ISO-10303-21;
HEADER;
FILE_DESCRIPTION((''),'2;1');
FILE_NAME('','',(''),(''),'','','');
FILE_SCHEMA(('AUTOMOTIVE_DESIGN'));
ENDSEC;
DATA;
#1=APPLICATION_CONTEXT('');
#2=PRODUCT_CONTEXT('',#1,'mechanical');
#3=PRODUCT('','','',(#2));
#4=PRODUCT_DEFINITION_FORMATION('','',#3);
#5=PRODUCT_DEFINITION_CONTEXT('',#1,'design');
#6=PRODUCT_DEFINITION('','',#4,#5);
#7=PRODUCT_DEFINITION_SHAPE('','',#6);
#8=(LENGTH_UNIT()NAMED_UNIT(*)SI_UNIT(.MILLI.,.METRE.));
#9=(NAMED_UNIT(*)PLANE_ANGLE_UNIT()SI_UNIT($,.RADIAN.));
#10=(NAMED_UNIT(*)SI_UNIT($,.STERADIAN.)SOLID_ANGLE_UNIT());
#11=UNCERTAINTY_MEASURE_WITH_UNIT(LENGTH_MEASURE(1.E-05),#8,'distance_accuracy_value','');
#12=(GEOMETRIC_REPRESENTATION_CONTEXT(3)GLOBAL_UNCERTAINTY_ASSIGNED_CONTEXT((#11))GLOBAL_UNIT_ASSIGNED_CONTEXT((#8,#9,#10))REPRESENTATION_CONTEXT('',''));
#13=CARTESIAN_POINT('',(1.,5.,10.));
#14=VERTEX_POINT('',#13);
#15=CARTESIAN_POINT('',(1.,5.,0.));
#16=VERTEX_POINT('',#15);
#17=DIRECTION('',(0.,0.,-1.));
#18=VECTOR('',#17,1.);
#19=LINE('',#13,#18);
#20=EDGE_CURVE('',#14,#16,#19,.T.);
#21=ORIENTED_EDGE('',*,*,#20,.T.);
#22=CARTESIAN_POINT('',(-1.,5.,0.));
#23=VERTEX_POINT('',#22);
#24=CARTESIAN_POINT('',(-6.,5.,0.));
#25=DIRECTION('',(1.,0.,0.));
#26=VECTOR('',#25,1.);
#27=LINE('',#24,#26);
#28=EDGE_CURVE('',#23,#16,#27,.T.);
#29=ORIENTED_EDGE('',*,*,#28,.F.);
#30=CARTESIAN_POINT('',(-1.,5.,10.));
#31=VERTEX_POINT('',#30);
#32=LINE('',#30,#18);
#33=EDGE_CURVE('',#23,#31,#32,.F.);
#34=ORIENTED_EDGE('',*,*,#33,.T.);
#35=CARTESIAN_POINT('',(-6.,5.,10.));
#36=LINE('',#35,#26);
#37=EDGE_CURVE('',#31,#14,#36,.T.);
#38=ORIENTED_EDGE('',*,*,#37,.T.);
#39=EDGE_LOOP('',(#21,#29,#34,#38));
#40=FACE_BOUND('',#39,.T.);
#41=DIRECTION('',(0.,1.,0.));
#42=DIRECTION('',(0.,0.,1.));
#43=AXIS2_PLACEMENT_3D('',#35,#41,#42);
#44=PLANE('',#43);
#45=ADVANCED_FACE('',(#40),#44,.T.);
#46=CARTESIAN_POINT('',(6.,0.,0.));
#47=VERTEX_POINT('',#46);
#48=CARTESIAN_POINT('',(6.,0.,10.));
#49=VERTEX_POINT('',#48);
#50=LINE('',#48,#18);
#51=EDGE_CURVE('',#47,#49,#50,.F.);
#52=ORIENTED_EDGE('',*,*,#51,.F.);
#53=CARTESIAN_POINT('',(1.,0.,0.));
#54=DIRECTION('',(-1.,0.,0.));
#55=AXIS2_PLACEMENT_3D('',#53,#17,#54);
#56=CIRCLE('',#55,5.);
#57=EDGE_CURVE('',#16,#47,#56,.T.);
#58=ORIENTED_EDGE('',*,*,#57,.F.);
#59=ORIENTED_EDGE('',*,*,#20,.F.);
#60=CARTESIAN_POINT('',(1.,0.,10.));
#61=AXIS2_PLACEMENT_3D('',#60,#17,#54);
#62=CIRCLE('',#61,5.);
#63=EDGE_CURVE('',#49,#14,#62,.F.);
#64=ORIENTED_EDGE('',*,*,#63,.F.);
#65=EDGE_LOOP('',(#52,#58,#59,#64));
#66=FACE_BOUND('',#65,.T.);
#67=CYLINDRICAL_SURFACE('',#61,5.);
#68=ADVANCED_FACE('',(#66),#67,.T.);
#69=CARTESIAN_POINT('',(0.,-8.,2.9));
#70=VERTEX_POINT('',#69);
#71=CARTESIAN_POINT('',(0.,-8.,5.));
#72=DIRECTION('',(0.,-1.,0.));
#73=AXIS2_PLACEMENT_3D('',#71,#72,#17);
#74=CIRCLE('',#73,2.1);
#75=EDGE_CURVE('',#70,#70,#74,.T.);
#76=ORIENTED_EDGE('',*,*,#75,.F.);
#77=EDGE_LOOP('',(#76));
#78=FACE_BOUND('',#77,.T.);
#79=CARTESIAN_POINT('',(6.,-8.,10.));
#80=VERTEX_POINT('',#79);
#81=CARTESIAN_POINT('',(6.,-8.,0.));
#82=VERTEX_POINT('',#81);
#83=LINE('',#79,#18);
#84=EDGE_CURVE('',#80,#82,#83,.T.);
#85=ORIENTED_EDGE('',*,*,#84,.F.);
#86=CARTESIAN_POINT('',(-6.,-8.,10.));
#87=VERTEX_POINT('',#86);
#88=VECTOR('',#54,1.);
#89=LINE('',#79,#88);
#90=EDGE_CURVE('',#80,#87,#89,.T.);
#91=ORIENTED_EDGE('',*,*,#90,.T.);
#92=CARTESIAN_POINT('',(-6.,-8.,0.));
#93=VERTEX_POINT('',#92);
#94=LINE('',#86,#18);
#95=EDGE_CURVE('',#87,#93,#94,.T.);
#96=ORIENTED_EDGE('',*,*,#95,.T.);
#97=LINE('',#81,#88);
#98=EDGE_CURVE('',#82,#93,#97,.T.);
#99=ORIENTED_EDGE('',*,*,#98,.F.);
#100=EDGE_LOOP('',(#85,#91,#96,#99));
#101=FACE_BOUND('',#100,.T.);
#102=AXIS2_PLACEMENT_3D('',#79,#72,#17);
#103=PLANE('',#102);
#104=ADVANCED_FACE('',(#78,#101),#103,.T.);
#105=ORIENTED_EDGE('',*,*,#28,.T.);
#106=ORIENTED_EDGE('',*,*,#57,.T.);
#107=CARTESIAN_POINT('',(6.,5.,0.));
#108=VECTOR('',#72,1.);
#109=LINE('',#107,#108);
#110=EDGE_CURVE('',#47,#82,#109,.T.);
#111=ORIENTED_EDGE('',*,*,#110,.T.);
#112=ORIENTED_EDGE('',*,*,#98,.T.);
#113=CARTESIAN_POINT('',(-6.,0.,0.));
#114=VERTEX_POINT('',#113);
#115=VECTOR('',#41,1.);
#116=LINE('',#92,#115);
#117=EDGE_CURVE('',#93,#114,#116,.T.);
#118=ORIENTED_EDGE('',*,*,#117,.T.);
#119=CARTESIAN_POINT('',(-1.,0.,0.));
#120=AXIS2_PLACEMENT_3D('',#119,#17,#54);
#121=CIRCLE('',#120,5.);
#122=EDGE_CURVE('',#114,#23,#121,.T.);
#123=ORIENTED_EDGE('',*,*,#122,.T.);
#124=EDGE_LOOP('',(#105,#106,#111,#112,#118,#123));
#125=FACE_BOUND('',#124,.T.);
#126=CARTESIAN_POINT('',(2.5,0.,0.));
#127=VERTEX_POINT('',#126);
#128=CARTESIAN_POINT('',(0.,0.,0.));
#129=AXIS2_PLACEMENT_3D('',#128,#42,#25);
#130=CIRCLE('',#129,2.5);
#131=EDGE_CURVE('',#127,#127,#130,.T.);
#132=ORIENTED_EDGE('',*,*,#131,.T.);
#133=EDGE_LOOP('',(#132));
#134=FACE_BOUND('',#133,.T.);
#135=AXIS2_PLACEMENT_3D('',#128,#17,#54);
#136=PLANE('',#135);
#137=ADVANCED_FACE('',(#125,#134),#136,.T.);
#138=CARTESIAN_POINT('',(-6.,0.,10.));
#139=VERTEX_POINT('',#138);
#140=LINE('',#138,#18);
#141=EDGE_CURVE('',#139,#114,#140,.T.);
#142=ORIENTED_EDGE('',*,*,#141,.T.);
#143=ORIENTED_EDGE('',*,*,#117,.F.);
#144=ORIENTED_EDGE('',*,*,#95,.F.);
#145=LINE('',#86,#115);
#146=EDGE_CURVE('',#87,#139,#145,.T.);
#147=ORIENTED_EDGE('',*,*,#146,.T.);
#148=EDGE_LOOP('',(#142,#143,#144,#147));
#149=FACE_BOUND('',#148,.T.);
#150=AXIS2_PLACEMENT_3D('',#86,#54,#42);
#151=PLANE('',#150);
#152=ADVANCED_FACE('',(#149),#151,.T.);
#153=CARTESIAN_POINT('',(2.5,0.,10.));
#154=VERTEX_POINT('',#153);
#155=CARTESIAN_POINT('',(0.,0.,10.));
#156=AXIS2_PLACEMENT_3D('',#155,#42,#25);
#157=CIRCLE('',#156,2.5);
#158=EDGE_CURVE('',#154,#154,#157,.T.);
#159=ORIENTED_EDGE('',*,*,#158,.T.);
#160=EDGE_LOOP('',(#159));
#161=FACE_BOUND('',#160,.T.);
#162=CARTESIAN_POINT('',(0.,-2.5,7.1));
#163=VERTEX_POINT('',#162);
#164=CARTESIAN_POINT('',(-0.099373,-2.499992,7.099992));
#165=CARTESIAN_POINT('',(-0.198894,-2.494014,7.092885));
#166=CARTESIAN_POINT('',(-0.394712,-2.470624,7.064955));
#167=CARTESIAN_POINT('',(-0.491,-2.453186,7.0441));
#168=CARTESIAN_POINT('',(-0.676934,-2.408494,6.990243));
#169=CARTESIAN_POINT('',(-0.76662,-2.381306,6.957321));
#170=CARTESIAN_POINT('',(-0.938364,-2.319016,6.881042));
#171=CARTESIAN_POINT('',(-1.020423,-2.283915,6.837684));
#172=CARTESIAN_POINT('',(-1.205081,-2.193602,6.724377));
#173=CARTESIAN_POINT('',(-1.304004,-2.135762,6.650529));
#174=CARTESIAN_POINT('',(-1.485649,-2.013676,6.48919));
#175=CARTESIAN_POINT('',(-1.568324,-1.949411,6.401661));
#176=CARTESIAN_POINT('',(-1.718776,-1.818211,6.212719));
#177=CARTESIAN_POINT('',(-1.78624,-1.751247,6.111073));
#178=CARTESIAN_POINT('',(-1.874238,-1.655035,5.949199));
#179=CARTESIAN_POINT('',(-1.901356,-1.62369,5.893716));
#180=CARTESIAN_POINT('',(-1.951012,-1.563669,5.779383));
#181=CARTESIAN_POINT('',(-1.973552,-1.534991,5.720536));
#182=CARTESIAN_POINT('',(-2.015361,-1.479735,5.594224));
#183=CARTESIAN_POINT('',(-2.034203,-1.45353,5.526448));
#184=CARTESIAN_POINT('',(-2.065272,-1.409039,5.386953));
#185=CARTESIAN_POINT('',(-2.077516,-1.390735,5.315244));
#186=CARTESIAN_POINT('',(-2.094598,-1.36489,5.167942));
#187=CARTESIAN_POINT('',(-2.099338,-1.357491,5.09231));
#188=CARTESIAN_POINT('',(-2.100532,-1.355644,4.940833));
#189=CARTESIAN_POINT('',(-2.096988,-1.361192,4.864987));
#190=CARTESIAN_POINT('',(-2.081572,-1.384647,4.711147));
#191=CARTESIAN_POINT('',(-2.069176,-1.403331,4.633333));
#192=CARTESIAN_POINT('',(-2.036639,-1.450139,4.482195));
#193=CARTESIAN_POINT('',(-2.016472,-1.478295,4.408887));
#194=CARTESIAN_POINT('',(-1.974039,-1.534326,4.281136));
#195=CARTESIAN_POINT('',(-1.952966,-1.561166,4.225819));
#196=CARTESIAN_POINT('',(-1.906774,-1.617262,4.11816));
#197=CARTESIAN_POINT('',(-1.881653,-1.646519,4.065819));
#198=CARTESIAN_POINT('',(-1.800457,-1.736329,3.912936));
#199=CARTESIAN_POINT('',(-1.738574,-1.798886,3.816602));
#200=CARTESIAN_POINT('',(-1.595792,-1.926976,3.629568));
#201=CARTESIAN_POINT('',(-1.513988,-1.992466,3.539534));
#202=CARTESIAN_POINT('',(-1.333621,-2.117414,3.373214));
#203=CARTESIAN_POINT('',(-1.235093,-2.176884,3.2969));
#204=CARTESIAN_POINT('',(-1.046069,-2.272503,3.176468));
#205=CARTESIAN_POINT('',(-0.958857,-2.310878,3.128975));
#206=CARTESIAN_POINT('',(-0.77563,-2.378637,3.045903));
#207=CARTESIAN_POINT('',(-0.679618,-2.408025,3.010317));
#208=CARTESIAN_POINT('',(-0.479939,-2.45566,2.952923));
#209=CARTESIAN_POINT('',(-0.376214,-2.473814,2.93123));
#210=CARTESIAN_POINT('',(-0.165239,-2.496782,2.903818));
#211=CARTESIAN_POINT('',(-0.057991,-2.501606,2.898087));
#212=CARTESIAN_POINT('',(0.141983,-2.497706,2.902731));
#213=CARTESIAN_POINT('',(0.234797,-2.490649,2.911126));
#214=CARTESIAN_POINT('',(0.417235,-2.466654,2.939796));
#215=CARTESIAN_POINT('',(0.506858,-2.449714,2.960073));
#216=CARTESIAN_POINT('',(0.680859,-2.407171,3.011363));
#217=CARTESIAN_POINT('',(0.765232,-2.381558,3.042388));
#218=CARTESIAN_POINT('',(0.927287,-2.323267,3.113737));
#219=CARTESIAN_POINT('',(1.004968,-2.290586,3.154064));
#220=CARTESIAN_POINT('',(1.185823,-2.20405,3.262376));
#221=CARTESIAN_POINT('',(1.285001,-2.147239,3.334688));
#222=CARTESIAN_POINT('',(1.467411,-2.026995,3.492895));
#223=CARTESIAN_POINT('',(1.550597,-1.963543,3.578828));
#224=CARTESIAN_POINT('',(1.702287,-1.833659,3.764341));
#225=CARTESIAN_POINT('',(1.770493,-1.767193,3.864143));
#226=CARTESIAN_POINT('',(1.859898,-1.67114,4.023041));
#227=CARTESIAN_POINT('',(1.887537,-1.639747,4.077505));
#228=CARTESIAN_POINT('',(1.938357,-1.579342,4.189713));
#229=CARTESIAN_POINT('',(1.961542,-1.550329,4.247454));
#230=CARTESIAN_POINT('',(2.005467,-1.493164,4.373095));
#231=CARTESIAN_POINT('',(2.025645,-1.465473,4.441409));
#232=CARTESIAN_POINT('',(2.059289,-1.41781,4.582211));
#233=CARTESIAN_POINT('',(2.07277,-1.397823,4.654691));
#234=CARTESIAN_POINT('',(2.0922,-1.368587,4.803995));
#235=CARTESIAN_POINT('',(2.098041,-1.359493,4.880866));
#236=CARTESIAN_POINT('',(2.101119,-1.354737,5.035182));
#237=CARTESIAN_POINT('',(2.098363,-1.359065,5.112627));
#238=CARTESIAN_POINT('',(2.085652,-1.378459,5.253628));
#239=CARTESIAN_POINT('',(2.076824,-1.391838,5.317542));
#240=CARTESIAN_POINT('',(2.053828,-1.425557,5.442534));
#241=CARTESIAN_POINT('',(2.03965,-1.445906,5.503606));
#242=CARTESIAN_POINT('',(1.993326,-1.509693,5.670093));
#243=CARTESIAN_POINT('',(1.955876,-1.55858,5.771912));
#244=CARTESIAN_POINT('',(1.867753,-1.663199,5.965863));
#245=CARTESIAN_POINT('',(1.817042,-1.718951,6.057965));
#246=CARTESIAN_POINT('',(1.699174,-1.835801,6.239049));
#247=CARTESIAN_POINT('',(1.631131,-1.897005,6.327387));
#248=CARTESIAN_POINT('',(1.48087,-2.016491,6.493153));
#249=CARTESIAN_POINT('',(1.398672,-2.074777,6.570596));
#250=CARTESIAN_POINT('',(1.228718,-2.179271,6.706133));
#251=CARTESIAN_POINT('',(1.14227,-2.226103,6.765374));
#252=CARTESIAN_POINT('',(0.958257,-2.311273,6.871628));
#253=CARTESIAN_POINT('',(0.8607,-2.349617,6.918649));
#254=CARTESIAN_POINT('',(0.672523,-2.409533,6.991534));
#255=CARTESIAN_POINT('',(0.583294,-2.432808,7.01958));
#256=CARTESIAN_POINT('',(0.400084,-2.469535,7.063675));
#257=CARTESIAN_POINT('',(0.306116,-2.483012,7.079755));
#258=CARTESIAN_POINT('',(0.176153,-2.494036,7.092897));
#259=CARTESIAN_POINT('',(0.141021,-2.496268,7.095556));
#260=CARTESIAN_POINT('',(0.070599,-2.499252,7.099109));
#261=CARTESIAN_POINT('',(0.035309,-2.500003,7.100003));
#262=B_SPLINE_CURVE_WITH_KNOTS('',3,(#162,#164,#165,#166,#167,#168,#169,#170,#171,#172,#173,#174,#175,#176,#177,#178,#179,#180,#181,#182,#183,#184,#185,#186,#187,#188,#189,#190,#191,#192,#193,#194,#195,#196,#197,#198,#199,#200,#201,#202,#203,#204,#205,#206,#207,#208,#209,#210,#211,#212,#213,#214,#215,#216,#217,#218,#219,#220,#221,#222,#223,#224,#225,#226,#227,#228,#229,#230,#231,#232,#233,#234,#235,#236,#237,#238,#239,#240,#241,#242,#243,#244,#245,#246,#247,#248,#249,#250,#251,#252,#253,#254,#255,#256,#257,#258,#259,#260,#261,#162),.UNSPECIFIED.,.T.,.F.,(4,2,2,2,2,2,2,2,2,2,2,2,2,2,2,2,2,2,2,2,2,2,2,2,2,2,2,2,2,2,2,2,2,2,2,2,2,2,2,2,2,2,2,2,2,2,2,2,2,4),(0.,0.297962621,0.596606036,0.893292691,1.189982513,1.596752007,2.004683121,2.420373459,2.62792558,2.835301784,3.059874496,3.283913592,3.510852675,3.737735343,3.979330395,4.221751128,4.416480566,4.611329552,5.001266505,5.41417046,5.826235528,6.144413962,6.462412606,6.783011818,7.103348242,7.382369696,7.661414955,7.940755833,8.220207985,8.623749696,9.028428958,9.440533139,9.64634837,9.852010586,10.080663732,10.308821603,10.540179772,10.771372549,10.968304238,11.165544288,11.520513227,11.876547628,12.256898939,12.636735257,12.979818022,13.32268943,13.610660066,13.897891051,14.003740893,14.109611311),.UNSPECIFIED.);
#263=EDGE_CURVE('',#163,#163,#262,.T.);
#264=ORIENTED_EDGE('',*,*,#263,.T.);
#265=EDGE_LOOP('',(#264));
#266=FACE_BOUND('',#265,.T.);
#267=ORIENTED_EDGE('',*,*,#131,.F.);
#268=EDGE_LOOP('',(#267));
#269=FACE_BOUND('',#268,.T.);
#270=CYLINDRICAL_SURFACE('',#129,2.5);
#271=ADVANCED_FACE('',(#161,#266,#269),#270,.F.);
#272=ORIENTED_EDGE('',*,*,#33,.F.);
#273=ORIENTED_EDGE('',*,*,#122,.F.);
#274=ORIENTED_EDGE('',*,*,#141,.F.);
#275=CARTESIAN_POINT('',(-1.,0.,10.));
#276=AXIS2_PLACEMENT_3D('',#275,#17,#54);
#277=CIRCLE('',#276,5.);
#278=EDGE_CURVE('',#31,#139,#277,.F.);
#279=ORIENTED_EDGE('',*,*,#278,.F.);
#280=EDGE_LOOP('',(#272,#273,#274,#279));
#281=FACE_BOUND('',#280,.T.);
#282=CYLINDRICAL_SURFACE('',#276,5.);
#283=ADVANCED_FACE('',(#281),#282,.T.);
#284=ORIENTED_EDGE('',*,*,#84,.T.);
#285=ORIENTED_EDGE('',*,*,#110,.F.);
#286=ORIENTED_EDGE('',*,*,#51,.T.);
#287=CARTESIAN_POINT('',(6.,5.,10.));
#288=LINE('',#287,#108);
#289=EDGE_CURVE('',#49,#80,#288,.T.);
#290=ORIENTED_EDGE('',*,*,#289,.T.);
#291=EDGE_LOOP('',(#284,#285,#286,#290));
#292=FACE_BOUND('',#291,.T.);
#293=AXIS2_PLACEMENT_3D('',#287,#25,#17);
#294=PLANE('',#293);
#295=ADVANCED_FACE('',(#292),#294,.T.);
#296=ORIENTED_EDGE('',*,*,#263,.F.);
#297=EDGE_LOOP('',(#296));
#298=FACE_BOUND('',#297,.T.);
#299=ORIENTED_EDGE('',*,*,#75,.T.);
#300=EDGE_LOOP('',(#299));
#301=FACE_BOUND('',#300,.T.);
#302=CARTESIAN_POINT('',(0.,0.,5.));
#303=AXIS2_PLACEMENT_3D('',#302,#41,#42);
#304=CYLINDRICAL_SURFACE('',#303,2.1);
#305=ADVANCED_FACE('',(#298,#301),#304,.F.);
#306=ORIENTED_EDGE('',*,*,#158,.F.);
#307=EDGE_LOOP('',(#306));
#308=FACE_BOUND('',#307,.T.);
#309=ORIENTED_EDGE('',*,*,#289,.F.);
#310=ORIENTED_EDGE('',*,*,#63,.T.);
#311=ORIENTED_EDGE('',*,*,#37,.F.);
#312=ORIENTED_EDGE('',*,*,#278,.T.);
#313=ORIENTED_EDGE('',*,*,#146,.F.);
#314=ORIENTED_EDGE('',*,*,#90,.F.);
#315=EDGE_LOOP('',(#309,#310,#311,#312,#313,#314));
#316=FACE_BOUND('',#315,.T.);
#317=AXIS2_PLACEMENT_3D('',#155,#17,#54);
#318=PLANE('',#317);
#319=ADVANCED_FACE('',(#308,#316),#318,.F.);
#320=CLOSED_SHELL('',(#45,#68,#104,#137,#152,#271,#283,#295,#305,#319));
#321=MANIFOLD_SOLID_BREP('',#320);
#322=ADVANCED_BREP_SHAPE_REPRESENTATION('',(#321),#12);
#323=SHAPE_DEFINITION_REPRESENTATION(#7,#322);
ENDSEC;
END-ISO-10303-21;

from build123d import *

# Parameters (mm, degrees)
ESQUISSE1_W        = 12
ESQUISSE1_H        = 13
BOSS_EXTRU_1_DEPTH = 10
ESQUISSE3_W        = 2.5
ESQUISSE3_H        = 10
ESQUISSE4_W        = 2.1
ESQUISSE4_H        = 8
CONG_1_R           = 5


with BuildPart() as part:
    # Esquisse1 → Boss.-Extru.1 (new body)
    with BuildSketch(Plane(origin=(0, 0, 0), x_dir=(-1, 0, 0), z_dir=(0, 0, -1))):
        with Locations((0, -1.5)):
            Rectangle(ESQUISSE1_W, ESQUISSE1_H)
    extrude(amount=-BOSS_EXTRU_1_DEPTH)

    # Esquisse3 → Enlèvement de matière-Révolution1 (revolve, cut)
    with BuildSketch(Plane(origin=(0, 0, 0), x_dir=(1, 0, 0), z_dir=(0, 1, 0))):
        with Locations((1.25, -5)):
            Rectangle(ESQUISSE3_W, ESQUISSE3_H)
    revolve(axis=Axis((0, 0, 0), (0, 0, 1)), mode=Mode.SUBTRACT)

    # Esquisse4 → Diamètre du perçage Ø5.6 (5.6)1 (revolve, cut)
    with BuildSketch(Plane(origin=(0, 0, 5), x_dir=(0, 0, 1), z_dir=(1, 0, 0))):
        with Locations((1.05, 4)):
            Rectangle(ESQUISSE4_W, ESQUISSE4_H)
    revolve(axis=Axis((0, 6.35, 5), (0, -1, 0)), mode=Mode.SUBTRACT)

    # Congé1
    cong_1_edges = [part.edges().sort_by_distance(p)[0] for p in [
        (6, 5, 5),
        (-6, 5, 5),
    ]]
    fillet(cong_1_edges, radius=CONG_1_R)


solid = part.part
